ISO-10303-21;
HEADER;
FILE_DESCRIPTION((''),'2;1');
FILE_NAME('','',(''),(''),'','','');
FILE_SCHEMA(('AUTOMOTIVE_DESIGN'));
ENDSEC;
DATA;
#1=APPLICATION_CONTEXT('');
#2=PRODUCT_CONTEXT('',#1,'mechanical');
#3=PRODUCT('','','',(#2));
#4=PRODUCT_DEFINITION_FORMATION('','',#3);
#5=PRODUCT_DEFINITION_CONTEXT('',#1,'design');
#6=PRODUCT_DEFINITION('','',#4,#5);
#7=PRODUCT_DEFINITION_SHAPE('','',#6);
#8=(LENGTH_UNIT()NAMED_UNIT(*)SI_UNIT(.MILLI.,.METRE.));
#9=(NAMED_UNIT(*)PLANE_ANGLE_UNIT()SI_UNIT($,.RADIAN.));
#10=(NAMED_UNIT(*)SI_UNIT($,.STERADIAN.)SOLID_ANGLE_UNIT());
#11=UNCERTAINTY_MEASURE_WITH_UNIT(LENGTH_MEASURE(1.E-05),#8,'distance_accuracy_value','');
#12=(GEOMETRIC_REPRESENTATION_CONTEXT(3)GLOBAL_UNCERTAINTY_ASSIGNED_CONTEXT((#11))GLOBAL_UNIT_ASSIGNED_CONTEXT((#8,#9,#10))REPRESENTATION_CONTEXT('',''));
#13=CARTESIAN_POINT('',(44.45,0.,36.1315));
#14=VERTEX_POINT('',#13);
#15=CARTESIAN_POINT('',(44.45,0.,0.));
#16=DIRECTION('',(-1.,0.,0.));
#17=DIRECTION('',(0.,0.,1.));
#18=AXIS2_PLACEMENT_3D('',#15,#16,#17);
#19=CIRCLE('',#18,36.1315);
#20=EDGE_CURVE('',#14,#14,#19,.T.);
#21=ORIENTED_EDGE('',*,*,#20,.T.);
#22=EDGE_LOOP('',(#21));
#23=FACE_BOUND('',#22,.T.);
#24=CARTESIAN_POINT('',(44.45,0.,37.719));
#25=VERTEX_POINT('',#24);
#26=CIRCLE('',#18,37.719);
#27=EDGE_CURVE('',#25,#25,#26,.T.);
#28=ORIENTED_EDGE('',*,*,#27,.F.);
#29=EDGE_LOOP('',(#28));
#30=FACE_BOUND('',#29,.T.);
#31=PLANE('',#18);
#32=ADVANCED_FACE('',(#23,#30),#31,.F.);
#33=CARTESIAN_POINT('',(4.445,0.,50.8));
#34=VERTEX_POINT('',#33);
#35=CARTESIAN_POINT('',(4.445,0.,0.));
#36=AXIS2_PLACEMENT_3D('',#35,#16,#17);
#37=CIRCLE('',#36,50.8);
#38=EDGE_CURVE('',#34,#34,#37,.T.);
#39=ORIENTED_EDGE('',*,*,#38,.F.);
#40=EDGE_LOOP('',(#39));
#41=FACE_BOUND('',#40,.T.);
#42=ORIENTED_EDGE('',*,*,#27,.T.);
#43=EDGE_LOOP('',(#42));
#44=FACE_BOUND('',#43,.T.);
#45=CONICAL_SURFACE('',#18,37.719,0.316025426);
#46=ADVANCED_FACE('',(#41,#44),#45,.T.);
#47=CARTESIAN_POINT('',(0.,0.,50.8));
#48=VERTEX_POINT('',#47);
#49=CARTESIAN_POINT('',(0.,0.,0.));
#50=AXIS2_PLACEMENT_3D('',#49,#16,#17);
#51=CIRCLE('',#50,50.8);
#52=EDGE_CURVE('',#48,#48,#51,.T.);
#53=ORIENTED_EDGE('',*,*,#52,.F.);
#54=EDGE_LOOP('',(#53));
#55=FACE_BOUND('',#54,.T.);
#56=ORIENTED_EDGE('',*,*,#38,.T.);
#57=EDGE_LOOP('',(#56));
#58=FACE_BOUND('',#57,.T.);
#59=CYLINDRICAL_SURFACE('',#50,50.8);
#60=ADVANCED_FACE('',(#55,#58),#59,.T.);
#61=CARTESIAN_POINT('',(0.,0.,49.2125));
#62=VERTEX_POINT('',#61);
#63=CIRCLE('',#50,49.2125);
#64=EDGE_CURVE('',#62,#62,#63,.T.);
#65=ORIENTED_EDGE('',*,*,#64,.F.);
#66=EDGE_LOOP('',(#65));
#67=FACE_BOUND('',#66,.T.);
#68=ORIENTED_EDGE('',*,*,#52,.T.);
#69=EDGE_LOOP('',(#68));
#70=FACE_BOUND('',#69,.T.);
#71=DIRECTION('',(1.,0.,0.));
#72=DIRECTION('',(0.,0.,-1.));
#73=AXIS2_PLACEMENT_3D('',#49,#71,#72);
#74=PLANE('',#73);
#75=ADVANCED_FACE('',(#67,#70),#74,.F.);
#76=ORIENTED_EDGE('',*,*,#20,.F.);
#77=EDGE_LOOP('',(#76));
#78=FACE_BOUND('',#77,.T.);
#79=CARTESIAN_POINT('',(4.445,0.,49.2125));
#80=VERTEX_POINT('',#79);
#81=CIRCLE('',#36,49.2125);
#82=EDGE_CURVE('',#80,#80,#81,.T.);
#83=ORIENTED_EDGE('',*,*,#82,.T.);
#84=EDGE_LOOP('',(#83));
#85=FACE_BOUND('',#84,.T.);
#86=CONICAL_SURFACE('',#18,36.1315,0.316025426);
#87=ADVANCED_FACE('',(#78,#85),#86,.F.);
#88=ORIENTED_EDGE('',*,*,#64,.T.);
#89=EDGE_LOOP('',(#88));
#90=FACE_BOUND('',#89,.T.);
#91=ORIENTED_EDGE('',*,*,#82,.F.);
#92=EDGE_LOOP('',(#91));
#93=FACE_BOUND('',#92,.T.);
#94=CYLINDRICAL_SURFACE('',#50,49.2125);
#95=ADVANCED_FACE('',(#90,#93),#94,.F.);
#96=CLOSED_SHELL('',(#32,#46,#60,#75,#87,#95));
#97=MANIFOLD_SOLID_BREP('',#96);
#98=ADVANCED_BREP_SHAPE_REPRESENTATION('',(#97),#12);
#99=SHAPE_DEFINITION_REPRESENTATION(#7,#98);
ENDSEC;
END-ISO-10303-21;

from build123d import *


with BuildPart() as part:
    # Sketch1 → Revolve1 (revolve)
    with BuildSketch(Plane.XY, mode=Mode.PRIVATE) as revolve1_sk:
        Polygon((0, 0), (0, 50.8), (4.445, 50.8), (44.45, 37.719), (44.45, 0), align=None)
    revolve(revolve1_sk.sketch.rotate(Axis((0, 0, 0), (1, 0, 0)), 90), axis=Axis((0, 0, 0), (1, 0, 0)))

    # Sketch5 → Cut-Revolve2 (revolve, cut)
    with BuildSketch(Plane.XY, mode=Mode.PRIVATE) as cut_revolve2_sk:
        Polygon((0, 0), (0, 49.2125), (4.445, 49.2125), (44.45, 36.1315), (44.45, 0), align=None)
    revolve(cut_revolve2_sk.sketch.rotate(Axis((0, 0, 0), (1, 0, 0)), 90), axis=Axis((0, 0, 0), (1, 0, 0)), mode=Mode.SUBTRACT)


solid = part.part
